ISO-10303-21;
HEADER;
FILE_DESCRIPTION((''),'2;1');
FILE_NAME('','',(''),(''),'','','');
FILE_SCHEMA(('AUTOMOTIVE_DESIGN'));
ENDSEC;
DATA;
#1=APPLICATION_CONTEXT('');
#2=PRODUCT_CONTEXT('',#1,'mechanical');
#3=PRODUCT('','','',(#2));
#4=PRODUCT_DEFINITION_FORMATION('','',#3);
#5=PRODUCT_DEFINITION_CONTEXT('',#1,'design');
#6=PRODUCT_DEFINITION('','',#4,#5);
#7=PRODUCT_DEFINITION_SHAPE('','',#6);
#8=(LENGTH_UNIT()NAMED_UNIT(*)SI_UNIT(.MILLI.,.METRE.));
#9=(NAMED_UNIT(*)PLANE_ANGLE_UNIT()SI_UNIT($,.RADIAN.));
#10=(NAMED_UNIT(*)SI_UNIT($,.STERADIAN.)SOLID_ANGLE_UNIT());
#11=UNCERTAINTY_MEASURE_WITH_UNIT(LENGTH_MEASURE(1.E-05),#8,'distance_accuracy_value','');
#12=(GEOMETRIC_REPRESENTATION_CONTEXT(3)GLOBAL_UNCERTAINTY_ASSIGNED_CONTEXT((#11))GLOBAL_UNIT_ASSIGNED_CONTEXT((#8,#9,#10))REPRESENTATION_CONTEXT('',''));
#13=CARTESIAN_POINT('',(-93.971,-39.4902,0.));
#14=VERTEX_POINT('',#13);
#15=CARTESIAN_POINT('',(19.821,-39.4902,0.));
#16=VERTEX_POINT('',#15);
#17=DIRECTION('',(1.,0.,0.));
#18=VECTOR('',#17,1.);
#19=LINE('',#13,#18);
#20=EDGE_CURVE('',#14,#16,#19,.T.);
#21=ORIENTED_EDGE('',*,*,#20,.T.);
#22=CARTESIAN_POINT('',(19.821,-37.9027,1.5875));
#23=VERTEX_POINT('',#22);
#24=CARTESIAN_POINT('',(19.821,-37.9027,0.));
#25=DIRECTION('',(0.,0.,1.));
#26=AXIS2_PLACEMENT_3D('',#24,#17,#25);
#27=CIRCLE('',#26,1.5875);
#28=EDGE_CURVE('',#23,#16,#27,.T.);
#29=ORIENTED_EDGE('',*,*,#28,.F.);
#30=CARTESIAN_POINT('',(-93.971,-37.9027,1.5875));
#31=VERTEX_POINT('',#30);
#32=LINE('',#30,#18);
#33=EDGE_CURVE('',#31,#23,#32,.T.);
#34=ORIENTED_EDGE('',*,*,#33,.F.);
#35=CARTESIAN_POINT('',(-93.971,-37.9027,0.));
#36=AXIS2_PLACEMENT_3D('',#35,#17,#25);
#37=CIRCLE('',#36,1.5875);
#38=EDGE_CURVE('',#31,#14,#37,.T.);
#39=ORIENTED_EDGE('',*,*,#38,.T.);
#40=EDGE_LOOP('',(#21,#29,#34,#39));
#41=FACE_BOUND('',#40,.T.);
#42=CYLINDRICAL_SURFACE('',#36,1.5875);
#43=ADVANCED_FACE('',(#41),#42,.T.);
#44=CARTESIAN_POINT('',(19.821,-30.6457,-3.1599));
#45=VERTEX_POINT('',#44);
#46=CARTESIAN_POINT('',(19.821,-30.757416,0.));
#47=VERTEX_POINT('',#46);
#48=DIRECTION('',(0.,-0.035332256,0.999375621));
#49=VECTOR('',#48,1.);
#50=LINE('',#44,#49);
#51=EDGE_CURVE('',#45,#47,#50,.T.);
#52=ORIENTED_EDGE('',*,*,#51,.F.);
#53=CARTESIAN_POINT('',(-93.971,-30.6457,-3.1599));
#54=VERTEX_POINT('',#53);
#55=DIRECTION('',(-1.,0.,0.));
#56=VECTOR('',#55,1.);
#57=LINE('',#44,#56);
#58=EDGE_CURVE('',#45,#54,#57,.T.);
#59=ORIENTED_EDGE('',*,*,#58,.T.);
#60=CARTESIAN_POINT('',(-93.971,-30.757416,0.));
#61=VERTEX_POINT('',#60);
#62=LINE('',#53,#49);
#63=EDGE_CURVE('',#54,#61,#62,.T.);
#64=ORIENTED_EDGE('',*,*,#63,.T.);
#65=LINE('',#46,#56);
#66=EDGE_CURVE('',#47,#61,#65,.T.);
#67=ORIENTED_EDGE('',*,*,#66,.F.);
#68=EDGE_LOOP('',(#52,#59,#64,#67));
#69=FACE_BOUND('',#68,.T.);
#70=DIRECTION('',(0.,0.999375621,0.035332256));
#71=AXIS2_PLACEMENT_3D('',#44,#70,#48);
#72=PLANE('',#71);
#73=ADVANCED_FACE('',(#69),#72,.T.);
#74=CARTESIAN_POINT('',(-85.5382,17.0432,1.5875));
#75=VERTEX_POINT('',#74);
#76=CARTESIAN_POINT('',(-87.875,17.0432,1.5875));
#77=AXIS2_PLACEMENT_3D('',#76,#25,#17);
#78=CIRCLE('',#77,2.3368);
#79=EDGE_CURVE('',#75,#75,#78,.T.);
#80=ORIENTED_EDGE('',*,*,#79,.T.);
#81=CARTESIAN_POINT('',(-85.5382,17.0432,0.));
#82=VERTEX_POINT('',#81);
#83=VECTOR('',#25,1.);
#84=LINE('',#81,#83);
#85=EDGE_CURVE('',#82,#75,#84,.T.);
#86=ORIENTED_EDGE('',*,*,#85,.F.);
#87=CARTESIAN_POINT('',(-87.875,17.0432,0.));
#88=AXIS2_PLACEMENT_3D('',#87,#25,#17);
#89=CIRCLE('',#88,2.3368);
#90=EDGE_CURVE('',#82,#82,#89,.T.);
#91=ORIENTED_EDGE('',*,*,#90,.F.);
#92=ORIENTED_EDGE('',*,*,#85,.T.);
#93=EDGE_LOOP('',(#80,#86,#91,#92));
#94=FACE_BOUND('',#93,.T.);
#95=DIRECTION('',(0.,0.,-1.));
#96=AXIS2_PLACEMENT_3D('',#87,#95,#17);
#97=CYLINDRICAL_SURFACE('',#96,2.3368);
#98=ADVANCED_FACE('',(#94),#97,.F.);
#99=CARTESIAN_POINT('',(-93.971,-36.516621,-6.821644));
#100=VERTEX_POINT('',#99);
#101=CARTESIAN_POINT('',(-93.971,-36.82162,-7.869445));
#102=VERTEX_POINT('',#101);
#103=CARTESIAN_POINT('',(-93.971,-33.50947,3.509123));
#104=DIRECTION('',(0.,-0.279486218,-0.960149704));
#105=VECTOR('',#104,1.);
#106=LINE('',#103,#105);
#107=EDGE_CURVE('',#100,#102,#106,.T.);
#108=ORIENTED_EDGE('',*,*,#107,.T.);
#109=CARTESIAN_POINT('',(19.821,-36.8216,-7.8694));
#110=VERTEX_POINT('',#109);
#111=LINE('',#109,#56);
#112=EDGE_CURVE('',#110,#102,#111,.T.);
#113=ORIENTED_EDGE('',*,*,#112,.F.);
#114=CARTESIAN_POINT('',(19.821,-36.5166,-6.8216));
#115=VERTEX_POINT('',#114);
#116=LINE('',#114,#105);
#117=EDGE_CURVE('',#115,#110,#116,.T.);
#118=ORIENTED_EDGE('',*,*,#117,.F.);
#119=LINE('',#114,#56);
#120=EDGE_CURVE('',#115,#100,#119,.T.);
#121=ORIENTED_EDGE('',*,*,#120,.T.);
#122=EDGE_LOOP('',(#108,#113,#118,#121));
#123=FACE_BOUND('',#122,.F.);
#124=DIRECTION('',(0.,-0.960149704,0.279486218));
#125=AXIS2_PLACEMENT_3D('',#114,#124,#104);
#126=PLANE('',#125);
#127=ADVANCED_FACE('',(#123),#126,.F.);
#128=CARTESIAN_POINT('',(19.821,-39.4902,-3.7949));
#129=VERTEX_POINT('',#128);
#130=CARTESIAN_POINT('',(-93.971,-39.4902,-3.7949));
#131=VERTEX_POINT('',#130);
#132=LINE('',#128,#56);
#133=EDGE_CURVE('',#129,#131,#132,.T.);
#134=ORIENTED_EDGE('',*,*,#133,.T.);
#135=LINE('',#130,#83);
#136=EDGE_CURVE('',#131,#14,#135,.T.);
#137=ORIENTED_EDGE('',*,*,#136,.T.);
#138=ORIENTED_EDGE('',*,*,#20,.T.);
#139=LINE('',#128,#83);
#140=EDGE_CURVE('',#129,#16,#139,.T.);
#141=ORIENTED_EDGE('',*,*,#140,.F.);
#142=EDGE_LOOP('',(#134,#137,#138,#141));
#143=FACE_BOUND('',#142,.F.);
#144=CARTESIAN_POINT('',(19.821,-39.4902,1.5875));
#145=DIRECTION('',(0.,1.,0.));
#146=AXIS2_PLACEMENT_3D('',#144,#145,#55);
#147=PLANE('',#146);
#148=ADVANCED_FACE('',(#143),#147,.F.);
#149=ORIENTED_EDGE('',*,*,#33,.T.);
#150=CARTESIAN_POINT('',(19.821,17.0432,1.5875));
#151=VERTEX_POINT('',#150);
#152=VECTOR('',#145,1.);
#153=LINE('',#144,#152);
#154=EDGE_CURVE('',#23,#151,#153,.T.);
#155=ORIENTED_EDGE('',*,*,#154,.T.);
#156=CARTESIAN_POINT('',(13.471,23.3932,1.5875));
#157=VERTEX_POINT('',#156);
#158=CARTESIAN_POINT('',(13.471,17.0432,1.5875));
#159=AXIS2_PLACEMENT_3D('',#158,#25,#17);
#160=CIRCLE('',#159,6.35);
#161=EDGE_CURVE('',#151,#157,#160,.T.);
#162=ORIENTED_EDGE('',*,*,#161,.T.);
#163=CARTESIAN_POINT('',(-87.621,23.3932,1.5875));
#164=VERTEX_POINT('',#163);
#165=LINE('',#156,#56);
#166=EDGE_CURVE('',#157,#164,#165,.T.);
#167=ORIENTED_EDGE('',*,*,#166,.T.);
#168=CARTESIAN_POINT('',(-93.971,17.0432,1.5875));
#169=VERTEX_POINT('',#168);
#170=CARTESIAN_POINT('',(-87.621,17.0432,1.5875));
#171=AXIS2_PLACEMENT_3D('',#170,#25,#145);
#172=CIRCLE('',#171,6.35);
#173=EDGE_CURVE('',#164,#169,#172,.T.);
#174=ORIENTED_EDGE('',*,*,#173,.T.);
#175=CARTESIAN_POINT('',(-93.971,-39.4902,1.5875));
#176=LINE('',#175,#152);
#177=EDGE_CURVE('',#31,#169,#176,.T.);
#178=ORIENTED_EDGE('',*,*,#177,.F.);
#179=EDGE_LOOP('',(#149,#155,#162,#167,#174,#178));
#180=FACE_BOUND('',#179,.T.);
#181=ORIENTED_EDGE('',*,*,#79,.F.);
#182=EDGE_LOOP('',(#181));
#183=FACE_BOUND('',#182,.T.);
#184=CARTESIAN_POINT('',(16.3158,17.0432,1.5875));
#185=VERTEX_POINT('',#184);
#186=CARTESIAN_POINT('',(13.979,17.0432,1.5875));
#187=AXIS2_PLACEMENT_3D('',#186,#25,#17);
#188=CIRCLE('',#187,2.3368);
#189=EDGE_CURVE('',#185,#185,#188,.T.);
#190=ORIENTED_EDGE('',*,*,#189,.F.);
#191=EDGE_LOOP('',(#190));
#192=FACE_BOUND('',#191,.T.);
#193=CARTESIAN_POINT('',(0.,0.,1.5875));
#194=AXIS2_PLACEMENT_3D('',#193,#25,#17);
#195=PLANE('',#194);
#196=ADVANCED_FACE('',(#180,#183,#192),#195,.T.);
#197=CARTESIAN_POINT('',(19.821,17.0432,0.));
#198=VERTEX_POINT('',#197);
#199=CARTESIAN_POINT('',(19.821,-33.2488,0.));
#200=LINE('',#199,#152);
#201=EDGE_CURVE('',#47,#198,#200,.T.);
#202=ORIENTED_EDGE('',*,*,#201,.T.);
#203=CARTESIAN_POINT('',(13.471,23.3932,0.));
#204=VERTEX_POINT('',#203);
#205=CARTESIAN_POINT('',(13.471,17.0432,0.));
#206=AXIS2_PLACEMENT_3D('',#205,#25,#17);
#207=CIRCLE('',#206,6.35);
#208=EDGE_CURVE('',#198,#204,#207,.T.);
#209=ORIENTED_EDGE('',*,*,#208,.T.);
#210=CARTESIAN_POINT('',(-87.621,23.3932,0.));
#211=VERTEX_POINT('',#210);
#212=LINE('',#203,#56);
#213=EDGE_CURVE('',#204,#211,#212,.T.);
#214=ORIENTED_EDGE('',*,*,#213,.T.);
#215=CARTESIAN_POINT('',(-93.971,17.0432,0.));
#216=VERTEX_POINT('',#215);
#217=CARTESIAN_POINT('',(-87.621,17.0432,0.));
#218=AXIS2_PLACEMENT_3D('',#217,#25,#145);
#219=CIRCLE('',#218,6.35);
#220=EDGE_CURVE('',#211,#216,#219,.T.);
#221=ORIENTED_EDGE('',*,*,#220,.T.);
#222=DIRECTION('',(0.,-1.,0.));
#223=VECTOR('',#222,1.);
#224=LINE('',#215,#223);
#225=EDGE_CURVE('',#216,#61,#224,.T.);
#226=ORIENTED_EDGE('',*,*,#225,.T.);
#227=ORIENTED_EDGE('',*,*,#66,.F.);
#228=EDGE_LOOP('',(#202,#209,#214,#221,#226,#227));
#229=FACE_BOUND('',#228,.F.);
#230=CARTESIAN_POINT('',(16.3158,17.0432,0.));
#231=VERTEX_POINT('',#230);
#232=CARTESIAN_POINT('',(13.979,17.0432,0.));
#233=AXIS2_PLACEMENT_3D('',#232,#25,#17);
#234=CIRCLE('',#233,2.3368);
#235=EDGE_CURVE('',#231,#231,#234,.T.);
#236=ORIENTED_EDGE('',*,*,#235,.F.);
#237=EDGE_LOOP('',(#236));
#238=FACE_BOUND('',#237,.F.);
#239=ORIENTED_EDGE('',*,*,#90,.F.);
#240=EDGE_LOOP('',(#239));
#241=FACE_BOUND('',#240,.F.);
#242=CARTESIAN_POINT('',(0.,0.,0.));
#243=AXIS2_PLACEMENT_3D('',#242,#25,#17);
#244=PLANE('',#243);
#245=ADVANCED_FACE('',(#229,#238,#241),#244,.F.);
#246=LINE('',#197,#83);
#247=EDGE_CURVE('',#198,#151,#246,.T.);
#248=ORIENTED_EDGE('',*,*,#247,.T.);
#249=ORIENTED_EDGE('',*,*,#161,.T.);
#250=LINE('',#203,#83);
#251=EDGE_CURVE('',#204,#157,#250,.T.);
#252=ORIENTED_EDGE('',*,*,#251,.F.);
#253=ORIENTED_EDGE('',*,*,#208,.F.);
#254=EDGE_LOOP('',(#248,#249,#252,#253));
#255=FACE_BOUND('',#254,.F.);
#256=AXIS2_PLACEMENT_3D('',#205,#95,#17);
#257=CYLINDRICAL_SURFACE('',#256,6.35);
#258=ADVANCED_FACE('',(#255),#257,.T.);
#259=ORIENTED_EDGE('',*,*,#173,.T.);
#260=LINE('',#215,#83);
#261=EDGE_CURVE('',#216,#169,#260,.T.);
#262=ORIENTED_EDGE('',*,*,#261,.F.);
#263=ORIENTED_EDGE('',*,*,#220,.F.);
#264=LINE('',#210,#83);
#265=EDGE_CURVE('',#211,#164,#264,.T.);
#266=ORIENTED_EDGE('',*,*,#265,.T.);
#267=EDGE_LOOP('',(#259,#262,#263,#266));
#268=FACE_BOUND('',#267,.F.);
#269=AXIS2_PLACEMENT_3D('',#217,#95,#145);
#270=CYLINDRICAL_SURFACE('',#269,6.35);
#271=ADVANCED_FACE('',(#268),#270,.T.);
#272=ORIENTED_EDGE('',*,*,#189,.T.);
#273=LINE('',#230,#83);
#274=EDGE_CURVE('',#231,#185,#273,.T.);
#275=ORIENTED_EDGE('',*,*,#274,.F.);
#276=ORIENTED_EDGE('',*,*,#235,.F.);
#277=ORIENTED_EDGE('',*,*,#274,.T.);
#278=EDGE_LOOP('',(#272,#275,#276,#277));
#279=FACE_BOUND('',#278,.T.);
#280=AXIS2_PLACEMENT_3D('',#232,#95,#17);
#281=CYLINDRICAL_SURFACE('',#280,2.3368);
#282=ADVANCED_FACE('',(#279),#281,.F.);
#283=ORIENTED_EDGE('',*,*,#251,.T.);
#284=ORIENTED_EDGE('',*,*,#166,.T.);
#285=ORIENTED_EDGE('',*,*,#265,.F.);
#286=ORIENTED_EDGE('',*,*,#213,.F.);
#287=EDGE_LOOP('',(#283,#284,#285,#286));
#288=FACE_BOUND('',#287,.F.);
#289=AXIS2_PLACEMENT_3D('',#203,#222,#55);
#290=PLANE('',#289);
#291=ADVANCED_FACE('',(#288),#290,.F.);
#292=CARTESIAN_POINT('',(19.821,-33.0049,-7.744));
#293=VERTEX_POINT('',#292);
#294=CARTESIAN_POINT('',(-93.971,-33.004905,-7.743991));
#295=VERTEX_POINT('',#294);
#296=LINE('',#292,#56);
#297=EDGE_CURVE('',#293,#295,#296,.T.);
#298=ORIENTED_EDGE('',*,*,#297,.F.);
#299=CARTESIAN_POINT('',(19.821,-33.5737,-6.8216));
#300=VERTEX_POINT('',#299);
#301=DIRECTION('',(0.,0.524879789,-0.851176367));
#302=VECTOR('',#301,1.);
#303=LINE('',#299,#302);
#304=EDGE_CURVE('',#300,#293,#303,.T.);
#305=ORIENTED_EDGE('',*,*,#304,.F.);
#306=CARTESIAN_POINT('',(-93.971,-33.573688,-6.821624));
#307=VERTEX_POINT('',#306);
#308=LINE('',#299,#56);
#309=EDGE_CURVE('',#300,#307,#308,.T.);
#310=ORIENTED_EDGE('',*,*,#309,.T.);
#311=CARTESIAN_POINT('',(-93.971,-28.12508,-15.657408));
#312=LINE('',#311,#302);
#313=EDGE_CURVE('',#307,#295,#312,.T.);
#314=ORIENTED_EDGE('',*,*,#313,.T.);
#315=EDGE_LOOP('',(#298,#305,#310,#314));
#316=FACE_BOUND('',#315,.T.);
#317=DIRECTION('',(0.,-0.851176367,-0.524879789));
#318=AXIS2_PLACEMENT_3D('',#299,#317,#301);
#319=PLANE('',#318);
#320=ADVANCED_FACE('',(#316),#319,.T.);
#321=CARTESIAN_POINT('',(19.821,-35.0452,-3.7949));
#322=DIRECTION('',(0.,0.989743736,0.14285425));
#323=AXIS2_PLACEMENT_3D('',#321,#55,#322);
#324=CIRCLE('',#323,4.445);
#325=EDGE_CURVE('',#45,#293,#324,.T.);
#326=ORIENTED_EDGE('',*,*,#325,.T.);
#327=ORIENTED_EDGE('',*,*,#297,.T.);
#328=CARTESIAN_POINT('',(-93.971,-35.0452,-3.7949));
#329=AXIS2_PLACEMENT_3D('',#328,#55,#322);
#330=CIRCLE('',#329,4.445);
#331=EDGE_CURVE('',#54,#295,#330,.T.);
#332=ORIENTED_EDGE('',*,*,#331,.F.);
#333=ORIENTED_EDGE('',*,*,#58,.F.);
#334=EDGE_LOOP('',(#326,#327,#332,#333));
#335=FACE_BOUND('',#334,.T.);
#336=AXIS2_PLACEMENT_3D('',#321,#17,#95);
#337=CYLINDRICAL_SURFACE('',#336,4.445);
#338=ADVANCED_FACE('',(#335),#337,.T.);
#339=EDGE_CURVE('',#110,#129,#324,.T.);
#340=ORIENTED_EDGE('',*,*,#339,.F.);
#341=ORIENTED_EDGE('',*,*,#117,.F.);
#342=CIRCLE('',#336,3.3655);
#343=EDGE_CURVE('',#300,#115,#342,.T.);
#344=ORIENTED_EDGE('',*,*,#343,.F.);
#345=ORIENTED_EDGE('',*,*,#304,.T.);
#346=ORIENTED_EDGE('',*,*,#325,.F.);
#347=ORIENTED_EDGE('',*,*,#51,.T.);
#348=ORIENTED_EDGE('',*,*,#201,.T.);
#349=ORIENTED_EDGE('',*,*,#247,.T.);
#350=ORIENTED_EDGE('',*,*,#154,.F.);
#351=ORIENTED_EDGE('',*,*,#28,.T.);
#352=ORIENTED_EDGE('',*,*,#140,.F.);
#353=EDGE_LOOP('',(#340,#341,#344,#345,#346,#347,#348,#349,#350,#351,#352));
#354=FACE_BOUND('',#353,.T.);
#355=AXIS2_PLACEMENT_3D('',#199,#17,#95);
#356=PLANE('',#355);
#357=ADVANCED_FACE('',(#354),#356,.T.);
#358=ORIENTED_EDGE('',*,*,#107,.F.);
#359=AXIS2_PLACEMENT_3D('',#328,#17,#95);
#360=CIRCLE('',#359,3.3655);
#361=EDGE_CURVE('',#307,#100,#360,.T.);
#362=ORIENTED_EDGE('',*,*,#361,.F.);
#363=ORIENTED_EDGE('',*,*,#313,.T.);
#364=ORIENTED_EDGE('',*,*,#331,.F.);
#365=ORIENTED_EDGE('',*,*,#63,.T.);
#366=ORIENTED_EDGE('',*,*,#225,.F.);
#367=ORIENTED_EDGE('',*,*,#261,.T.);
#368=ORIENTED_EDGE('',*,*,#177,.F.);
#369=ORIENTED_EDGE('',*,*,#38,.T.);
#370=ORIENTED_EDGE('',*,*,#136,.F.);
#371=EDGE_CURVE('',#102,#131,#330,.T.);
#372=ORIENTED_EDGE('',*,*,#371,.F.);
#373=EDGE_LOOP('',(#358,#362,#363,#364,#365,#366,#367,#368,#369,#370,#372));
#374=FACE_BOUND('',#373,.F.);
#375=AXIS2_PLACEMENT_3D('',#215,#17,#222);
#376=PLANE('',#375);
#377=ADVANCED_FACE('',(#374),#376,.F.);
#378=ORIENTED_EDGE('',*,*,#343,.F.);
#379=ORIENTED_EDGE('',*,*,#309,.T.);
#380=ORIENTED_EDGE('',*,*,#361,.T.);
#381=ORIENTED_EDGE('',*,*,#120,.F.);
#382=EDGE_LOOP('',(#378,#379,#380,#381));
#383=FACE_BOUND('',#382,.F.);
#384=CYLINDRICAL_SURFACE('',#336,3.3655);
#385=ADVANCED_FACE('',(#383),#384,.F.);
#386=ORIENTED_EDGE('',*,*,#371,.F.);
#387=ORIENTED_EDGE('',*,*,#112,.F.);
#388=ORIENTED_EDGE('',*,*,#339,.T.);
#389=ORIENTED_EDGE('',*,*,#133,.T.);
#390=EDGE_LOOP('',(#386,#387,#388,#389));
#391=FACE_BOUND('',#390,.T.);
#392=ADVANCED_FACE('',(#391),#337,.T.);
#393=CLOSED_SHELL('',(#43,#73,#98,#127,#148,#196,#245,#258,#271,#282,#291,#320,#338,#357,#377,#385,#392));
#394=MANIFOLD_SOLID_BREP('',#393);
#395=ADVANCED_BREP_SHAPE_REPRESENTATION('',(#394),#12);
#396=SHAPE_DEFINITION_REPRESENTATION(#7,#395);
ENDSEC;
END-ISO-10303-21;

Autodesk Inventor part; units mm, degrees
ref_plane "YZ Plane" through (0, 0, 0) normal (1, 0, 0) x (0, 1, 0)
ref_plane "XZ Plane" through (0, 0, 0) normal (0, 1, 0) x (-1, 0, 0)
ref_plane "XY Plane" through (0, 0, 0) normal (0, 0, 1) x (1, 0, 0)
sketch "Sketch1" plane through (0, 0, 0) normal (1, 0, 0) x (0, 1, 0)
  point P0 (0, 0)
sketch "Sketch2" plane through (0, 0, 0) normal (0, 0, 1) x (1, 0, 0)
  circle A0 centre (13.979, 17.0432) radius 2.3368 projected
  circle A1 centre (13.725, -33.7568) radius 2.3368 projected
  circle A2 centre (-87.875, -33.7568) radius 2.3368 projected
  circle A3 centre (-87.875, 17.0432) radius 2.3368 projected
  line L0 (-87.621, -39.5988) -> (13.471, -39.5988) projected
  arc A4 (-93.971, -33.2488) -> (-87.621, -39.5988) centre (-87.621, -33.2488) ccw projected
  line L1 (-93.971, 17.0432) -> (-93.971, -33.2488) projected
  arc A5 (-87.621, 23.3932) -> (-93.971, 17.0432) centre (-87.621, 17.0432) ccw projected
  line L2 (13.471, 23.3932) -> (-87.621, 23.3932) projected
  arc A6 (19.821, 17.0432) -> (13.471, 23.3932) centre (13.471, 17.0432) ccw projected
  line L3 (19.821, -33.2488) -> (19.821, 17.0432) projected
  arc A7 (13.471, -39.5988) -> (19.821, -33.2488) centre (13.471, -33.2488) ccw projected
  circle A8 centre (13.725, -33.7568) radius 2.3368 projected
  circle A9 centre (13.979, 17.0432) radius 2.3368 projected
  circle A10 centre (-87.875, -33.7568) radius 2.3368 projected
  circle A11 centre (-87.875, 17.0432) radius 2.3368 projected
  point P0 (0, 0)
extrude "Extrusion1" add sketch "Sketch2" along normal blind 1.5875
sketch "Sketch3" plane through (19.821, -33.2488, 0) normal (1, 0, 0) x (0, 0, -1)
  circle A0 centre (3.7949, -1.7964) radius 3.3655
  circle A1 centre (3.7949, -1.7964) radius 4.445
  line L0 (3.1599, 2.6031) -> (-0.6501, 2.4684)
  line L1 (-0.6501, 2.4684) -> (-0.6501, -1.7964)
  line L2 (-0.6501, -1.7964) -> (-0.493, -6.2414)
  line L3 (-0.493, -6.2414) -> (3.7949, -6.2414)
  line L4 (0, 0) -> (0, 50.292) projected
  line L5 (7.1604, -1.7964) -> (8.2399, -1.7964)
  line L6 (6.8216, -0.3249) -> (7.744, 0.2439)
  line L7 (6.8216, -3.2678) -> (7.8694, -3.5728)
  point P0 (0, 33.2488)
  point P1 (0, 2.4914)
  point P2 (0, 1.3549)
  point P3 (-0.6391, -2.1102)
  point P4 (0, 0.5182)
  dimension "d2" = 6.731
  dimension "d3" = 8.89
extrude "Extrusion2" add sketch "Sketch3" against normal up to surface (113.792 mm away) contours L5 A1 L7 A0 | A0 L6 A1 L5 | A0 L7 A1 L6 | A1 L4 L0
sketch "Sketch4" plane through (0, 0, 1.5875) normal (0, 0, 1) x (1, 0, 0)
  circle A0 centre (13.725, -33.7568) radius 2.3368 projected
  line L0 (19.821, -39.4902) -> (-93.971, -39.4902) projected
  line L1 (19.821, -39.4902) -> (19.821, -30.6002) projected
  line L2 (19.821, -30.7575) -> (-93.971, -30.7575) projected
  line L3 (19.821, -39.4902) -> (-93.971, -39.4902)
  line L4 (-93.971, -39.4902) -> (-93.971, -30.7575)
  line L5 (-93.971, -30.7575) -> (19.821, -30.7575)
  line L6 (19.821, -30.7575) -> (19.821, -39.4902)
  circle A1 centre (-87.875, -33.7568) radius 2.3368 projected
  circle A2 centre (-87.875, 17.0432) radius 2.3368 projected
  circle A3 centre (-87.875, 17.0432) radius 2.921
  circle A4 centre (13.979, 17.0432) radius 2.3368 projected
  circle A5 centre (13.979, 17.0432) radius 2.921
  point P0 (0, 0)
  point P1 (19.821, -33.2488)
  point P2 (19.821, -30.6458)
  dimension "d6" = 5.842
  dimension "d7" = 5.842
extrude "Extrusion3" add sketch "Sketch4" against normal up to surface contours A0 | L0 L4 L2 L1 | A1
sketch "Sketch5" plane through (19.821, 17.0432, 1.5875) normal (1, 0, 0) x (0, 0, -1)
  line L0 (0, -56.5334) -> (0, -56.642) projected
  line L1 (0, -56.5334) -> (1.6302, -56.5334)
  line L2 (1.6302, -56.5334) -> (1.6302, -56.6709)
  line L3 (1.6302, -56.6709) -> (0, -56.6709)
  line L4 (0, -56.6709) -> (0, -56.5334)
  point P0 (1.5875, -17.0432)
extrude "Extrusion4" cut sketch "Sketch5" against normal blind 136.017
fillet "Fillet1" radius 1.5875 1 edges at (-37.075, -39.4902, 1.5875)
sketch "Sketch6" plane through (-93.971, 17.0432, 0) normal (-1, 0, 0) x (0, 0, 1)
  circle A0 centre (-3.7949, -52.0884) radius 3.3655 projected
  line L0 (-7.1604, -52.0884) -> (-8.2399, -52.0884)
  arc A1 (-3.1599, -47.6889) -> (-3.7949, -56.5334) centre (-3.7949, -52.0884) ccw projected
  line L1 (-7.4629, -53.118) -> (-8.0595, -53.3483)
  line L2 (-7.4629, -51.0587) -> (-8.0595, -50.8284)
  point P0 (0, -17.0432)
  point P1 (-7.4631, -51.0586)
  point P2 (-8.0577, -50.8291)
  point P3 (-8.0577, -53.3476)
  point P4 (-7.4631, -53.1181)
extrude "Extrusion6" cut sketch "Sketch3" against normal blind 115.8875 contours L5 A1 L7 A0 | A0 L6 A1 L5
properties part number "plate holder holder"
